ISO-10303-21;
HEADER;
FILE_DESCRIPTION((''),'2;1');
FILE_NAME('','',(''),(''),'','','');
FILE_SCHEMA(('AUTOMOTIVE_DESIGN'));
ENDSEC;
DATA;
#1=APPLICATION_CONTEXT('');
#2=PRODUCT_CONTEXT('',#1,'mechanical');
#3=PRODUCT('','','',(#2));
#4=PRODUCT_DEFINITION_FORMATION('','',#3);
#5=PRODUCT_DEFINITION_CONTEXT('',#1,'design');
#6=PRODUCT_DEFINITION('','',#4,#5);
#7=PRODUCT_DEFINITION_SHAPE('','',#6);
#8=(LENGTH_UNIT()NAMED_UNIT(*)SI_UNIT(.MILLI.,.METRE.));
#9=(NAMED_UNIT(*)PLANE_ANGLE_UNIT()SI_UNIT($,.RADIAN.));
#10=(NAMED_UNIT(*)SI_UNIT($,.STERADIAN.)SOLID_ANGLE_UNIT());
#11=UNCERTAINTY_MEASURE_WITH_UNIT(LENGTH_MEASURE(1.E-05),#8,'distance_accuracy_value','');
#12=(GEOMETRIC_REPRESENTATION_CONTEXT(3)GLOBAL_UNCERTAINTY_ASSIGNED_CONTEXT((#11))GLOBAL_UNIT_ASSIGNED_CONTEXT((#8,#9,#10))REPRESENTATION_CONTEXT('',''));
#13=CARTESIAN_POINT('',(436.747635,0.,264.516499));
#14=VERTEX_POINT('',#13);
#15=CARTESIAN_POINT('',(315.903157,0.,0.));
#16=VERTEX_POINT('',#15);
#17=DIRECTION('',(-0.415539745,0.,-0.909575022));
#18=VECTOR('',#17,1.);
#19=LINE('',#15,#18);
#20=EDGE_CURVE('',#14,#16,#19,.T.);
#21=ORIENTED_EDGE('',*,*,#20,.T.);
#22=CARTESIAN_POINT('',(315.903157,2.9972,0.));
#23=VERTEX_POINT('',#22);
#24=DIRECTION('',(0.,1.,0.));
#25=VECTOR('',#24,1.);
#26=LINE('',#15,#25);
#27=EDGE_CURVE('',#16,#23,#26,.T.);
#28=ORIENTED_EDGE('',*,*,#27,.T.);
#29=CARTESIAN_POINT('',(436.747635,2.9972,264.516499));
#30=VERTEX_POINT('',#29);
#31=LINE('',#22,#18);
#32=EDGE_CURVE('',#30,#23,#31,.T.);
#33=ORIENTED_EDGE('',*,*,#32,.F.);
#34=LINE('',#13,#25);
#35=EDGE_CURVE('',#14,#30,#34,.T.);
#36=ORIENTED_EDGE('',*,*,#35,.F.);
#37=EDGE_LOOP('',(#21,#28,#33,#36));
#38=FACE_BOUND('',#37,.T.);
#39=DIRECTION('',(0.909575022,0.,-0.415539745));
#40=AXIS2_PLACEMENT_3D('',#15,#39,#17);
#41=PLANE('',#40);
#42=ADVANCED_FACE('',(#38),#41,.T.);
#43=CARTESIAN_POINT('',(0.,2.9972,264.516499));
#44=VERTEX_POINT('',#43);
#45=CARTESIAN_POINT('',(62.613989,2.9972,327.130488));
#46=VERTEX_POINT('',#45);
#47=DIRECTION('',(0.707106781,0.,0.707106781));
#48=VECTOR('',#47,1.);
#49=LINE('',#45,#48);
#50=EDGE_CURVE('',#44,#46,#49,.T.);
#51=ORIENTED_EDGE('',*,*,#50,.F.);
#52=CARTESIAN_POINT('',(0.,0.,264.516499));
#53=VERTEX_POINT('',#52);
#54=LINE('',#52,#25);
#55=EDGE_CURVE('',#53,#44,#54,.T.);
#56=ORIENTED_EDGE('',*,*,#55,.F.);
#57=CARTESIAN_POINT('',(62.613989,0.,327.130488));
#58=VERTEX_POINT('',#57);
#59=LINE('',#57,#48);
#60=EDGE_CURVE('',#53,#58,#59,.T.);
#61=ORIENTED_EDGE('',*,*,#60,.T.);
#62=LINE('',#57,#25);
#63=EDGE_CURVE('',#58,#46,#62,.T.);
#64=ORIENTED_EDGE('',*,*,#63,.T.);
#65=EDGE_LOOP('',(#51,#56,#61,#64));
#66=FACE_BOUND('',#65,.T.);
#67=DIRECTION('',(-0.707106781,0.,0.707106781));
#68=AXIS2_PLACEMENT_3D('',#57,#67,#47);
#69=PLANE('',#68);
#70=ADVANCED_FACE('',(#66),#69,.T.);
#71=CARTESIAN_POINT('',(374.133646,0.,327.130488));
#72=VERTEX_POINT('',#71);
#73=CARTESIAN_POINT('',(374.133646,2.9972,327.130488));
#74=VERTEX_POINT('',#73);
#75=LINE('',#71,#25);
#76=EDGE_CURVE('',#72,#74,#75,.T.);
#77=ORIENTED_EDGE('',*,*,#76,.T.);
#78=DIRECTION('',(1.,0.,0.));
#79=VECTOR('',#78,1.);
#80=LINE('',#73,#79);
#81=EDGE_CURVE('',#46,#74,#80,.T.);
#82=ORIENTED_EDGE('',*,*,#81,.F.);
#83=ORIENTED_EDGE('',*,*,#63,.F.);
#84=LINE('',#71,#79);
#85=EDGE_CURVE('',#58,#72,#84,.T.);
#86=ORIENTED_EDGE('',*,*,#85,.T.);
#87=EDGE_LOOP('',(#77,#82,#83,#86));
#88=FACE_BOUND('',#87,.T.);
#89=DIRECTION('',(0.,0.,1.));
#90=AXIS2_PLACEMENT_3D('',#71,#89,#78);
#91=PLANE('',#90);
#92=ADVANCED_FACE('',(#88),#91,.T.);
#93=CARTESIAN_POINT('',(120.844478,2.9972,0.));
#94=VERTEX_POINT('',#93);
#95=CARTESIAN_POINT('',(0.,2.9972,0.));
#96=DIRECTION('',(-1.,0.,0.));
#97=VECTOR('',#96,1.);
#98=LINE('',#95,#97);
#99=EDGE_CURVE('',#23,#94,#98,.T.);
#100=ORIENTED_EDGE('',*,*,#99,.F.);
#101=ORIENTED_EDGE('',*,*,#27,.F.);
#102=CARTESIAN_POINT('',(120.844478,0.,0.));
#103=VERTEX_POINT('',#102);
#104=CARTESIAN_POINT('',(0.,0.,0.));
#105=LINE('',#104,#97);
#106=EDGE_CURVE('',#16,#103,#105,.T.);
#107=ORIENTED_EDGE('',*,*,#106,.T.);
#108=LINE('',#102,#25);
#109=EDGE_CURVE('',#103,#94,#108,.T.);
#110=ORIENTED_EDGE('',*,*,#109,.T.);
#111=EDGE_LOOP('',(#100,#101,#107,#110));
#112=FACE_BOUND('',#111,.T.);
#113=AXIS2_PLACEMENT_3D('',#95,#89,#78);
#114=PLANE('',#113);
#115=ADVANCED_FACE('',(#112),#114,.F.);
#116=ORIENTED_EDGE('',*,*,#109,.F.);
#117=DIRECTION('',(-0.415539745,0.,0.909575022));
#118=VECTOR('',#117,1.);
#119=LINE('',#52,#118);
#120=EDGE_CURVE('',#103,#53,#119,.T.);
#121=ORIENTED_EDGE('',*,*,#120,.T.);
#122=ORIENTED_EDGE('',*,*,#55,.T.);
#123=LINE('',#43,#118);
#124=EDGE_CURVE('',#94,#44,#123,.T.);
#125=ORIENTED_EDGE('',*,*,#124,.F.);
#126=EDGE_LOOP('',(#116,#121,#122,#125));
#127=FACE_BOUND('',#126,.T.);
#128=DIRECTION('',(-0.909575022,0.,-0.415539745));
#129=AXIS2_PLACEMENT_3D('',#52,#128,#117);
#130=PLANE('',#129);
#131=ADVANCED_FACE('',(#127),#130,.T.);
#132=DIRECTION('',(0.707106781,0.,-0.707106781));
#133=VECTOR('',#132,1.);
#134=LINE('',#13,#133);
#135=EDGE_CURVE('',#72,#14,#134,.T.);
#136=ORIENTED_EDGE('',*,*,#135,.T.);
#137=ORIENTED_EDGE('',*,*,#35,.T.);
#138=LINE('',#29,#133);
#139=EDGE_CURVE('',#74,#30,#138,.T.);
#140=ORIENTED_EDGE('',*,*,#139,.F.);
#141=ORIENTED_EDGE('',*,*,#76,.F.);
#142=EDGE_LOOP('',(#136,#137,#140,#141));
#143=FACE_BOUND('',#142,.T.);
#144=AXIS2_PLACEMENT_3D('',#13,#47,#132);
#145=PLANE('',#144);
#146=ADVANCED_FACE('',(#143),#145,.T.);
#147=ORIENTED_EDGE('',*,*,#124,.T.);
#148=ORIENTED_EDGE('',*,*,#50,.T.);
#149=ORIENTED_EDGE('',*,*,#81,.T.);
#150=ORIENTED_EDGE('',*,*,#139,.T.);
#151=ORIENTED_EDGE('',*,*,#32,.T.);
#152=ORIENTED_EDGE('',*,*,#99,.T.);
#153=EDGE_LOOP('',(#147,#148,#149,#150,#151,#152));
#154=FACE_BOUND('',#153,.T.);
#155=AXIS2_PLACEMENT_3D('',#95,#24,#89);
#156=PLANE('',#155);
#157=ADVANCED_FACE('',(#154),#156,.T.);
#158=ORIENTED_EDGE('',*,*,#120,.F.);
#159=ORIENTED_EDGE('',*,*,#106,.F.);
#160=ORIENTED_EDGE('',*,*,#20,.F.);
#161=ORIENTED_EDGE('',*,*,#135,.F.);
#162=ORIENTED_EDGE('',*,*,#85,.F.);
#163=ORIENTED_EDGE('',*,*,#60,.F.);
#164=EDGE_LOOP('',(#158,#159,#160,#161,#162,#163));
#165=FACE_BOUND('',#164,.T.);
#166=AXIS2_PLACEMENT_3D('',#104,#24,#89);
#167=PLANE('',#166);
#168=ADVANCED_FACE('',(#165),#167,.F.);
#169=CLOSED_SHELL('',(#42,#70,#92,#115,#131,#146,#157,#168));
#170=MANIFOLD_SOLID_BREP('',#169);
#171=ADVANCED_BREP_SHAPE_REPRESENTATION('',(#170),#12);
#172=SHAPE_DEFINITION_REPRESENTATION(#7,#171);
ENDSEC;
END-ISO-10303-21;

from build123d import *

# Parameters (mm, degrees)
SKETCH1_W           = 500
SKETCH1_H           = 500
BOSS_EXTRUDE1_DEPTH = 2.9972
SKETCH2_OUTSIDE_W   = 643.422
SKETCH2_OUTSIDE_H   = 643.422
CUT_EXTRUDE1_DEPTH  = 708.113133245


with BuildPart() as part:
    # Sketch1 → Boss-Extrude1 (new body)
    with BuildSketch(Plane(origin=(0, 0, 0), x_dir=(1, 0, 0), z_dir=(0, 1, 0))):
        with Locations((250, -250)):
            Rectangle(SKETCH1_W, SKETCH1_H)
    extrude(amount=BOSS_EXTRUDE1_DEPTH)

    # Sketch2 outside → Cut-Extrude1 (cut, through all)
    with BuildSketch(Plane(origin=(0, 2.9972, 0), x_dir=(1, 0, 0), z_dir=(0, 1, 0))):
        with Locations((250, -250)):
            Rectangle(SKETCH2_OUTSIDE_W, SKETCH2_OUTSIDE_H)
        Polygon((315.903157035, 0), (436.747635081, -264.516499207), (374.133645972, -327.130488316), (62.613989109, -327.130488316), (0, -264.516499207), (120.844478046, 0), align=None, mode=Mode.SUBTRACT)
    extrude(amount=-CUT_EXTRUDE1_DEPTH, mode=Mode.SUBTRACT)


solid = part.part
